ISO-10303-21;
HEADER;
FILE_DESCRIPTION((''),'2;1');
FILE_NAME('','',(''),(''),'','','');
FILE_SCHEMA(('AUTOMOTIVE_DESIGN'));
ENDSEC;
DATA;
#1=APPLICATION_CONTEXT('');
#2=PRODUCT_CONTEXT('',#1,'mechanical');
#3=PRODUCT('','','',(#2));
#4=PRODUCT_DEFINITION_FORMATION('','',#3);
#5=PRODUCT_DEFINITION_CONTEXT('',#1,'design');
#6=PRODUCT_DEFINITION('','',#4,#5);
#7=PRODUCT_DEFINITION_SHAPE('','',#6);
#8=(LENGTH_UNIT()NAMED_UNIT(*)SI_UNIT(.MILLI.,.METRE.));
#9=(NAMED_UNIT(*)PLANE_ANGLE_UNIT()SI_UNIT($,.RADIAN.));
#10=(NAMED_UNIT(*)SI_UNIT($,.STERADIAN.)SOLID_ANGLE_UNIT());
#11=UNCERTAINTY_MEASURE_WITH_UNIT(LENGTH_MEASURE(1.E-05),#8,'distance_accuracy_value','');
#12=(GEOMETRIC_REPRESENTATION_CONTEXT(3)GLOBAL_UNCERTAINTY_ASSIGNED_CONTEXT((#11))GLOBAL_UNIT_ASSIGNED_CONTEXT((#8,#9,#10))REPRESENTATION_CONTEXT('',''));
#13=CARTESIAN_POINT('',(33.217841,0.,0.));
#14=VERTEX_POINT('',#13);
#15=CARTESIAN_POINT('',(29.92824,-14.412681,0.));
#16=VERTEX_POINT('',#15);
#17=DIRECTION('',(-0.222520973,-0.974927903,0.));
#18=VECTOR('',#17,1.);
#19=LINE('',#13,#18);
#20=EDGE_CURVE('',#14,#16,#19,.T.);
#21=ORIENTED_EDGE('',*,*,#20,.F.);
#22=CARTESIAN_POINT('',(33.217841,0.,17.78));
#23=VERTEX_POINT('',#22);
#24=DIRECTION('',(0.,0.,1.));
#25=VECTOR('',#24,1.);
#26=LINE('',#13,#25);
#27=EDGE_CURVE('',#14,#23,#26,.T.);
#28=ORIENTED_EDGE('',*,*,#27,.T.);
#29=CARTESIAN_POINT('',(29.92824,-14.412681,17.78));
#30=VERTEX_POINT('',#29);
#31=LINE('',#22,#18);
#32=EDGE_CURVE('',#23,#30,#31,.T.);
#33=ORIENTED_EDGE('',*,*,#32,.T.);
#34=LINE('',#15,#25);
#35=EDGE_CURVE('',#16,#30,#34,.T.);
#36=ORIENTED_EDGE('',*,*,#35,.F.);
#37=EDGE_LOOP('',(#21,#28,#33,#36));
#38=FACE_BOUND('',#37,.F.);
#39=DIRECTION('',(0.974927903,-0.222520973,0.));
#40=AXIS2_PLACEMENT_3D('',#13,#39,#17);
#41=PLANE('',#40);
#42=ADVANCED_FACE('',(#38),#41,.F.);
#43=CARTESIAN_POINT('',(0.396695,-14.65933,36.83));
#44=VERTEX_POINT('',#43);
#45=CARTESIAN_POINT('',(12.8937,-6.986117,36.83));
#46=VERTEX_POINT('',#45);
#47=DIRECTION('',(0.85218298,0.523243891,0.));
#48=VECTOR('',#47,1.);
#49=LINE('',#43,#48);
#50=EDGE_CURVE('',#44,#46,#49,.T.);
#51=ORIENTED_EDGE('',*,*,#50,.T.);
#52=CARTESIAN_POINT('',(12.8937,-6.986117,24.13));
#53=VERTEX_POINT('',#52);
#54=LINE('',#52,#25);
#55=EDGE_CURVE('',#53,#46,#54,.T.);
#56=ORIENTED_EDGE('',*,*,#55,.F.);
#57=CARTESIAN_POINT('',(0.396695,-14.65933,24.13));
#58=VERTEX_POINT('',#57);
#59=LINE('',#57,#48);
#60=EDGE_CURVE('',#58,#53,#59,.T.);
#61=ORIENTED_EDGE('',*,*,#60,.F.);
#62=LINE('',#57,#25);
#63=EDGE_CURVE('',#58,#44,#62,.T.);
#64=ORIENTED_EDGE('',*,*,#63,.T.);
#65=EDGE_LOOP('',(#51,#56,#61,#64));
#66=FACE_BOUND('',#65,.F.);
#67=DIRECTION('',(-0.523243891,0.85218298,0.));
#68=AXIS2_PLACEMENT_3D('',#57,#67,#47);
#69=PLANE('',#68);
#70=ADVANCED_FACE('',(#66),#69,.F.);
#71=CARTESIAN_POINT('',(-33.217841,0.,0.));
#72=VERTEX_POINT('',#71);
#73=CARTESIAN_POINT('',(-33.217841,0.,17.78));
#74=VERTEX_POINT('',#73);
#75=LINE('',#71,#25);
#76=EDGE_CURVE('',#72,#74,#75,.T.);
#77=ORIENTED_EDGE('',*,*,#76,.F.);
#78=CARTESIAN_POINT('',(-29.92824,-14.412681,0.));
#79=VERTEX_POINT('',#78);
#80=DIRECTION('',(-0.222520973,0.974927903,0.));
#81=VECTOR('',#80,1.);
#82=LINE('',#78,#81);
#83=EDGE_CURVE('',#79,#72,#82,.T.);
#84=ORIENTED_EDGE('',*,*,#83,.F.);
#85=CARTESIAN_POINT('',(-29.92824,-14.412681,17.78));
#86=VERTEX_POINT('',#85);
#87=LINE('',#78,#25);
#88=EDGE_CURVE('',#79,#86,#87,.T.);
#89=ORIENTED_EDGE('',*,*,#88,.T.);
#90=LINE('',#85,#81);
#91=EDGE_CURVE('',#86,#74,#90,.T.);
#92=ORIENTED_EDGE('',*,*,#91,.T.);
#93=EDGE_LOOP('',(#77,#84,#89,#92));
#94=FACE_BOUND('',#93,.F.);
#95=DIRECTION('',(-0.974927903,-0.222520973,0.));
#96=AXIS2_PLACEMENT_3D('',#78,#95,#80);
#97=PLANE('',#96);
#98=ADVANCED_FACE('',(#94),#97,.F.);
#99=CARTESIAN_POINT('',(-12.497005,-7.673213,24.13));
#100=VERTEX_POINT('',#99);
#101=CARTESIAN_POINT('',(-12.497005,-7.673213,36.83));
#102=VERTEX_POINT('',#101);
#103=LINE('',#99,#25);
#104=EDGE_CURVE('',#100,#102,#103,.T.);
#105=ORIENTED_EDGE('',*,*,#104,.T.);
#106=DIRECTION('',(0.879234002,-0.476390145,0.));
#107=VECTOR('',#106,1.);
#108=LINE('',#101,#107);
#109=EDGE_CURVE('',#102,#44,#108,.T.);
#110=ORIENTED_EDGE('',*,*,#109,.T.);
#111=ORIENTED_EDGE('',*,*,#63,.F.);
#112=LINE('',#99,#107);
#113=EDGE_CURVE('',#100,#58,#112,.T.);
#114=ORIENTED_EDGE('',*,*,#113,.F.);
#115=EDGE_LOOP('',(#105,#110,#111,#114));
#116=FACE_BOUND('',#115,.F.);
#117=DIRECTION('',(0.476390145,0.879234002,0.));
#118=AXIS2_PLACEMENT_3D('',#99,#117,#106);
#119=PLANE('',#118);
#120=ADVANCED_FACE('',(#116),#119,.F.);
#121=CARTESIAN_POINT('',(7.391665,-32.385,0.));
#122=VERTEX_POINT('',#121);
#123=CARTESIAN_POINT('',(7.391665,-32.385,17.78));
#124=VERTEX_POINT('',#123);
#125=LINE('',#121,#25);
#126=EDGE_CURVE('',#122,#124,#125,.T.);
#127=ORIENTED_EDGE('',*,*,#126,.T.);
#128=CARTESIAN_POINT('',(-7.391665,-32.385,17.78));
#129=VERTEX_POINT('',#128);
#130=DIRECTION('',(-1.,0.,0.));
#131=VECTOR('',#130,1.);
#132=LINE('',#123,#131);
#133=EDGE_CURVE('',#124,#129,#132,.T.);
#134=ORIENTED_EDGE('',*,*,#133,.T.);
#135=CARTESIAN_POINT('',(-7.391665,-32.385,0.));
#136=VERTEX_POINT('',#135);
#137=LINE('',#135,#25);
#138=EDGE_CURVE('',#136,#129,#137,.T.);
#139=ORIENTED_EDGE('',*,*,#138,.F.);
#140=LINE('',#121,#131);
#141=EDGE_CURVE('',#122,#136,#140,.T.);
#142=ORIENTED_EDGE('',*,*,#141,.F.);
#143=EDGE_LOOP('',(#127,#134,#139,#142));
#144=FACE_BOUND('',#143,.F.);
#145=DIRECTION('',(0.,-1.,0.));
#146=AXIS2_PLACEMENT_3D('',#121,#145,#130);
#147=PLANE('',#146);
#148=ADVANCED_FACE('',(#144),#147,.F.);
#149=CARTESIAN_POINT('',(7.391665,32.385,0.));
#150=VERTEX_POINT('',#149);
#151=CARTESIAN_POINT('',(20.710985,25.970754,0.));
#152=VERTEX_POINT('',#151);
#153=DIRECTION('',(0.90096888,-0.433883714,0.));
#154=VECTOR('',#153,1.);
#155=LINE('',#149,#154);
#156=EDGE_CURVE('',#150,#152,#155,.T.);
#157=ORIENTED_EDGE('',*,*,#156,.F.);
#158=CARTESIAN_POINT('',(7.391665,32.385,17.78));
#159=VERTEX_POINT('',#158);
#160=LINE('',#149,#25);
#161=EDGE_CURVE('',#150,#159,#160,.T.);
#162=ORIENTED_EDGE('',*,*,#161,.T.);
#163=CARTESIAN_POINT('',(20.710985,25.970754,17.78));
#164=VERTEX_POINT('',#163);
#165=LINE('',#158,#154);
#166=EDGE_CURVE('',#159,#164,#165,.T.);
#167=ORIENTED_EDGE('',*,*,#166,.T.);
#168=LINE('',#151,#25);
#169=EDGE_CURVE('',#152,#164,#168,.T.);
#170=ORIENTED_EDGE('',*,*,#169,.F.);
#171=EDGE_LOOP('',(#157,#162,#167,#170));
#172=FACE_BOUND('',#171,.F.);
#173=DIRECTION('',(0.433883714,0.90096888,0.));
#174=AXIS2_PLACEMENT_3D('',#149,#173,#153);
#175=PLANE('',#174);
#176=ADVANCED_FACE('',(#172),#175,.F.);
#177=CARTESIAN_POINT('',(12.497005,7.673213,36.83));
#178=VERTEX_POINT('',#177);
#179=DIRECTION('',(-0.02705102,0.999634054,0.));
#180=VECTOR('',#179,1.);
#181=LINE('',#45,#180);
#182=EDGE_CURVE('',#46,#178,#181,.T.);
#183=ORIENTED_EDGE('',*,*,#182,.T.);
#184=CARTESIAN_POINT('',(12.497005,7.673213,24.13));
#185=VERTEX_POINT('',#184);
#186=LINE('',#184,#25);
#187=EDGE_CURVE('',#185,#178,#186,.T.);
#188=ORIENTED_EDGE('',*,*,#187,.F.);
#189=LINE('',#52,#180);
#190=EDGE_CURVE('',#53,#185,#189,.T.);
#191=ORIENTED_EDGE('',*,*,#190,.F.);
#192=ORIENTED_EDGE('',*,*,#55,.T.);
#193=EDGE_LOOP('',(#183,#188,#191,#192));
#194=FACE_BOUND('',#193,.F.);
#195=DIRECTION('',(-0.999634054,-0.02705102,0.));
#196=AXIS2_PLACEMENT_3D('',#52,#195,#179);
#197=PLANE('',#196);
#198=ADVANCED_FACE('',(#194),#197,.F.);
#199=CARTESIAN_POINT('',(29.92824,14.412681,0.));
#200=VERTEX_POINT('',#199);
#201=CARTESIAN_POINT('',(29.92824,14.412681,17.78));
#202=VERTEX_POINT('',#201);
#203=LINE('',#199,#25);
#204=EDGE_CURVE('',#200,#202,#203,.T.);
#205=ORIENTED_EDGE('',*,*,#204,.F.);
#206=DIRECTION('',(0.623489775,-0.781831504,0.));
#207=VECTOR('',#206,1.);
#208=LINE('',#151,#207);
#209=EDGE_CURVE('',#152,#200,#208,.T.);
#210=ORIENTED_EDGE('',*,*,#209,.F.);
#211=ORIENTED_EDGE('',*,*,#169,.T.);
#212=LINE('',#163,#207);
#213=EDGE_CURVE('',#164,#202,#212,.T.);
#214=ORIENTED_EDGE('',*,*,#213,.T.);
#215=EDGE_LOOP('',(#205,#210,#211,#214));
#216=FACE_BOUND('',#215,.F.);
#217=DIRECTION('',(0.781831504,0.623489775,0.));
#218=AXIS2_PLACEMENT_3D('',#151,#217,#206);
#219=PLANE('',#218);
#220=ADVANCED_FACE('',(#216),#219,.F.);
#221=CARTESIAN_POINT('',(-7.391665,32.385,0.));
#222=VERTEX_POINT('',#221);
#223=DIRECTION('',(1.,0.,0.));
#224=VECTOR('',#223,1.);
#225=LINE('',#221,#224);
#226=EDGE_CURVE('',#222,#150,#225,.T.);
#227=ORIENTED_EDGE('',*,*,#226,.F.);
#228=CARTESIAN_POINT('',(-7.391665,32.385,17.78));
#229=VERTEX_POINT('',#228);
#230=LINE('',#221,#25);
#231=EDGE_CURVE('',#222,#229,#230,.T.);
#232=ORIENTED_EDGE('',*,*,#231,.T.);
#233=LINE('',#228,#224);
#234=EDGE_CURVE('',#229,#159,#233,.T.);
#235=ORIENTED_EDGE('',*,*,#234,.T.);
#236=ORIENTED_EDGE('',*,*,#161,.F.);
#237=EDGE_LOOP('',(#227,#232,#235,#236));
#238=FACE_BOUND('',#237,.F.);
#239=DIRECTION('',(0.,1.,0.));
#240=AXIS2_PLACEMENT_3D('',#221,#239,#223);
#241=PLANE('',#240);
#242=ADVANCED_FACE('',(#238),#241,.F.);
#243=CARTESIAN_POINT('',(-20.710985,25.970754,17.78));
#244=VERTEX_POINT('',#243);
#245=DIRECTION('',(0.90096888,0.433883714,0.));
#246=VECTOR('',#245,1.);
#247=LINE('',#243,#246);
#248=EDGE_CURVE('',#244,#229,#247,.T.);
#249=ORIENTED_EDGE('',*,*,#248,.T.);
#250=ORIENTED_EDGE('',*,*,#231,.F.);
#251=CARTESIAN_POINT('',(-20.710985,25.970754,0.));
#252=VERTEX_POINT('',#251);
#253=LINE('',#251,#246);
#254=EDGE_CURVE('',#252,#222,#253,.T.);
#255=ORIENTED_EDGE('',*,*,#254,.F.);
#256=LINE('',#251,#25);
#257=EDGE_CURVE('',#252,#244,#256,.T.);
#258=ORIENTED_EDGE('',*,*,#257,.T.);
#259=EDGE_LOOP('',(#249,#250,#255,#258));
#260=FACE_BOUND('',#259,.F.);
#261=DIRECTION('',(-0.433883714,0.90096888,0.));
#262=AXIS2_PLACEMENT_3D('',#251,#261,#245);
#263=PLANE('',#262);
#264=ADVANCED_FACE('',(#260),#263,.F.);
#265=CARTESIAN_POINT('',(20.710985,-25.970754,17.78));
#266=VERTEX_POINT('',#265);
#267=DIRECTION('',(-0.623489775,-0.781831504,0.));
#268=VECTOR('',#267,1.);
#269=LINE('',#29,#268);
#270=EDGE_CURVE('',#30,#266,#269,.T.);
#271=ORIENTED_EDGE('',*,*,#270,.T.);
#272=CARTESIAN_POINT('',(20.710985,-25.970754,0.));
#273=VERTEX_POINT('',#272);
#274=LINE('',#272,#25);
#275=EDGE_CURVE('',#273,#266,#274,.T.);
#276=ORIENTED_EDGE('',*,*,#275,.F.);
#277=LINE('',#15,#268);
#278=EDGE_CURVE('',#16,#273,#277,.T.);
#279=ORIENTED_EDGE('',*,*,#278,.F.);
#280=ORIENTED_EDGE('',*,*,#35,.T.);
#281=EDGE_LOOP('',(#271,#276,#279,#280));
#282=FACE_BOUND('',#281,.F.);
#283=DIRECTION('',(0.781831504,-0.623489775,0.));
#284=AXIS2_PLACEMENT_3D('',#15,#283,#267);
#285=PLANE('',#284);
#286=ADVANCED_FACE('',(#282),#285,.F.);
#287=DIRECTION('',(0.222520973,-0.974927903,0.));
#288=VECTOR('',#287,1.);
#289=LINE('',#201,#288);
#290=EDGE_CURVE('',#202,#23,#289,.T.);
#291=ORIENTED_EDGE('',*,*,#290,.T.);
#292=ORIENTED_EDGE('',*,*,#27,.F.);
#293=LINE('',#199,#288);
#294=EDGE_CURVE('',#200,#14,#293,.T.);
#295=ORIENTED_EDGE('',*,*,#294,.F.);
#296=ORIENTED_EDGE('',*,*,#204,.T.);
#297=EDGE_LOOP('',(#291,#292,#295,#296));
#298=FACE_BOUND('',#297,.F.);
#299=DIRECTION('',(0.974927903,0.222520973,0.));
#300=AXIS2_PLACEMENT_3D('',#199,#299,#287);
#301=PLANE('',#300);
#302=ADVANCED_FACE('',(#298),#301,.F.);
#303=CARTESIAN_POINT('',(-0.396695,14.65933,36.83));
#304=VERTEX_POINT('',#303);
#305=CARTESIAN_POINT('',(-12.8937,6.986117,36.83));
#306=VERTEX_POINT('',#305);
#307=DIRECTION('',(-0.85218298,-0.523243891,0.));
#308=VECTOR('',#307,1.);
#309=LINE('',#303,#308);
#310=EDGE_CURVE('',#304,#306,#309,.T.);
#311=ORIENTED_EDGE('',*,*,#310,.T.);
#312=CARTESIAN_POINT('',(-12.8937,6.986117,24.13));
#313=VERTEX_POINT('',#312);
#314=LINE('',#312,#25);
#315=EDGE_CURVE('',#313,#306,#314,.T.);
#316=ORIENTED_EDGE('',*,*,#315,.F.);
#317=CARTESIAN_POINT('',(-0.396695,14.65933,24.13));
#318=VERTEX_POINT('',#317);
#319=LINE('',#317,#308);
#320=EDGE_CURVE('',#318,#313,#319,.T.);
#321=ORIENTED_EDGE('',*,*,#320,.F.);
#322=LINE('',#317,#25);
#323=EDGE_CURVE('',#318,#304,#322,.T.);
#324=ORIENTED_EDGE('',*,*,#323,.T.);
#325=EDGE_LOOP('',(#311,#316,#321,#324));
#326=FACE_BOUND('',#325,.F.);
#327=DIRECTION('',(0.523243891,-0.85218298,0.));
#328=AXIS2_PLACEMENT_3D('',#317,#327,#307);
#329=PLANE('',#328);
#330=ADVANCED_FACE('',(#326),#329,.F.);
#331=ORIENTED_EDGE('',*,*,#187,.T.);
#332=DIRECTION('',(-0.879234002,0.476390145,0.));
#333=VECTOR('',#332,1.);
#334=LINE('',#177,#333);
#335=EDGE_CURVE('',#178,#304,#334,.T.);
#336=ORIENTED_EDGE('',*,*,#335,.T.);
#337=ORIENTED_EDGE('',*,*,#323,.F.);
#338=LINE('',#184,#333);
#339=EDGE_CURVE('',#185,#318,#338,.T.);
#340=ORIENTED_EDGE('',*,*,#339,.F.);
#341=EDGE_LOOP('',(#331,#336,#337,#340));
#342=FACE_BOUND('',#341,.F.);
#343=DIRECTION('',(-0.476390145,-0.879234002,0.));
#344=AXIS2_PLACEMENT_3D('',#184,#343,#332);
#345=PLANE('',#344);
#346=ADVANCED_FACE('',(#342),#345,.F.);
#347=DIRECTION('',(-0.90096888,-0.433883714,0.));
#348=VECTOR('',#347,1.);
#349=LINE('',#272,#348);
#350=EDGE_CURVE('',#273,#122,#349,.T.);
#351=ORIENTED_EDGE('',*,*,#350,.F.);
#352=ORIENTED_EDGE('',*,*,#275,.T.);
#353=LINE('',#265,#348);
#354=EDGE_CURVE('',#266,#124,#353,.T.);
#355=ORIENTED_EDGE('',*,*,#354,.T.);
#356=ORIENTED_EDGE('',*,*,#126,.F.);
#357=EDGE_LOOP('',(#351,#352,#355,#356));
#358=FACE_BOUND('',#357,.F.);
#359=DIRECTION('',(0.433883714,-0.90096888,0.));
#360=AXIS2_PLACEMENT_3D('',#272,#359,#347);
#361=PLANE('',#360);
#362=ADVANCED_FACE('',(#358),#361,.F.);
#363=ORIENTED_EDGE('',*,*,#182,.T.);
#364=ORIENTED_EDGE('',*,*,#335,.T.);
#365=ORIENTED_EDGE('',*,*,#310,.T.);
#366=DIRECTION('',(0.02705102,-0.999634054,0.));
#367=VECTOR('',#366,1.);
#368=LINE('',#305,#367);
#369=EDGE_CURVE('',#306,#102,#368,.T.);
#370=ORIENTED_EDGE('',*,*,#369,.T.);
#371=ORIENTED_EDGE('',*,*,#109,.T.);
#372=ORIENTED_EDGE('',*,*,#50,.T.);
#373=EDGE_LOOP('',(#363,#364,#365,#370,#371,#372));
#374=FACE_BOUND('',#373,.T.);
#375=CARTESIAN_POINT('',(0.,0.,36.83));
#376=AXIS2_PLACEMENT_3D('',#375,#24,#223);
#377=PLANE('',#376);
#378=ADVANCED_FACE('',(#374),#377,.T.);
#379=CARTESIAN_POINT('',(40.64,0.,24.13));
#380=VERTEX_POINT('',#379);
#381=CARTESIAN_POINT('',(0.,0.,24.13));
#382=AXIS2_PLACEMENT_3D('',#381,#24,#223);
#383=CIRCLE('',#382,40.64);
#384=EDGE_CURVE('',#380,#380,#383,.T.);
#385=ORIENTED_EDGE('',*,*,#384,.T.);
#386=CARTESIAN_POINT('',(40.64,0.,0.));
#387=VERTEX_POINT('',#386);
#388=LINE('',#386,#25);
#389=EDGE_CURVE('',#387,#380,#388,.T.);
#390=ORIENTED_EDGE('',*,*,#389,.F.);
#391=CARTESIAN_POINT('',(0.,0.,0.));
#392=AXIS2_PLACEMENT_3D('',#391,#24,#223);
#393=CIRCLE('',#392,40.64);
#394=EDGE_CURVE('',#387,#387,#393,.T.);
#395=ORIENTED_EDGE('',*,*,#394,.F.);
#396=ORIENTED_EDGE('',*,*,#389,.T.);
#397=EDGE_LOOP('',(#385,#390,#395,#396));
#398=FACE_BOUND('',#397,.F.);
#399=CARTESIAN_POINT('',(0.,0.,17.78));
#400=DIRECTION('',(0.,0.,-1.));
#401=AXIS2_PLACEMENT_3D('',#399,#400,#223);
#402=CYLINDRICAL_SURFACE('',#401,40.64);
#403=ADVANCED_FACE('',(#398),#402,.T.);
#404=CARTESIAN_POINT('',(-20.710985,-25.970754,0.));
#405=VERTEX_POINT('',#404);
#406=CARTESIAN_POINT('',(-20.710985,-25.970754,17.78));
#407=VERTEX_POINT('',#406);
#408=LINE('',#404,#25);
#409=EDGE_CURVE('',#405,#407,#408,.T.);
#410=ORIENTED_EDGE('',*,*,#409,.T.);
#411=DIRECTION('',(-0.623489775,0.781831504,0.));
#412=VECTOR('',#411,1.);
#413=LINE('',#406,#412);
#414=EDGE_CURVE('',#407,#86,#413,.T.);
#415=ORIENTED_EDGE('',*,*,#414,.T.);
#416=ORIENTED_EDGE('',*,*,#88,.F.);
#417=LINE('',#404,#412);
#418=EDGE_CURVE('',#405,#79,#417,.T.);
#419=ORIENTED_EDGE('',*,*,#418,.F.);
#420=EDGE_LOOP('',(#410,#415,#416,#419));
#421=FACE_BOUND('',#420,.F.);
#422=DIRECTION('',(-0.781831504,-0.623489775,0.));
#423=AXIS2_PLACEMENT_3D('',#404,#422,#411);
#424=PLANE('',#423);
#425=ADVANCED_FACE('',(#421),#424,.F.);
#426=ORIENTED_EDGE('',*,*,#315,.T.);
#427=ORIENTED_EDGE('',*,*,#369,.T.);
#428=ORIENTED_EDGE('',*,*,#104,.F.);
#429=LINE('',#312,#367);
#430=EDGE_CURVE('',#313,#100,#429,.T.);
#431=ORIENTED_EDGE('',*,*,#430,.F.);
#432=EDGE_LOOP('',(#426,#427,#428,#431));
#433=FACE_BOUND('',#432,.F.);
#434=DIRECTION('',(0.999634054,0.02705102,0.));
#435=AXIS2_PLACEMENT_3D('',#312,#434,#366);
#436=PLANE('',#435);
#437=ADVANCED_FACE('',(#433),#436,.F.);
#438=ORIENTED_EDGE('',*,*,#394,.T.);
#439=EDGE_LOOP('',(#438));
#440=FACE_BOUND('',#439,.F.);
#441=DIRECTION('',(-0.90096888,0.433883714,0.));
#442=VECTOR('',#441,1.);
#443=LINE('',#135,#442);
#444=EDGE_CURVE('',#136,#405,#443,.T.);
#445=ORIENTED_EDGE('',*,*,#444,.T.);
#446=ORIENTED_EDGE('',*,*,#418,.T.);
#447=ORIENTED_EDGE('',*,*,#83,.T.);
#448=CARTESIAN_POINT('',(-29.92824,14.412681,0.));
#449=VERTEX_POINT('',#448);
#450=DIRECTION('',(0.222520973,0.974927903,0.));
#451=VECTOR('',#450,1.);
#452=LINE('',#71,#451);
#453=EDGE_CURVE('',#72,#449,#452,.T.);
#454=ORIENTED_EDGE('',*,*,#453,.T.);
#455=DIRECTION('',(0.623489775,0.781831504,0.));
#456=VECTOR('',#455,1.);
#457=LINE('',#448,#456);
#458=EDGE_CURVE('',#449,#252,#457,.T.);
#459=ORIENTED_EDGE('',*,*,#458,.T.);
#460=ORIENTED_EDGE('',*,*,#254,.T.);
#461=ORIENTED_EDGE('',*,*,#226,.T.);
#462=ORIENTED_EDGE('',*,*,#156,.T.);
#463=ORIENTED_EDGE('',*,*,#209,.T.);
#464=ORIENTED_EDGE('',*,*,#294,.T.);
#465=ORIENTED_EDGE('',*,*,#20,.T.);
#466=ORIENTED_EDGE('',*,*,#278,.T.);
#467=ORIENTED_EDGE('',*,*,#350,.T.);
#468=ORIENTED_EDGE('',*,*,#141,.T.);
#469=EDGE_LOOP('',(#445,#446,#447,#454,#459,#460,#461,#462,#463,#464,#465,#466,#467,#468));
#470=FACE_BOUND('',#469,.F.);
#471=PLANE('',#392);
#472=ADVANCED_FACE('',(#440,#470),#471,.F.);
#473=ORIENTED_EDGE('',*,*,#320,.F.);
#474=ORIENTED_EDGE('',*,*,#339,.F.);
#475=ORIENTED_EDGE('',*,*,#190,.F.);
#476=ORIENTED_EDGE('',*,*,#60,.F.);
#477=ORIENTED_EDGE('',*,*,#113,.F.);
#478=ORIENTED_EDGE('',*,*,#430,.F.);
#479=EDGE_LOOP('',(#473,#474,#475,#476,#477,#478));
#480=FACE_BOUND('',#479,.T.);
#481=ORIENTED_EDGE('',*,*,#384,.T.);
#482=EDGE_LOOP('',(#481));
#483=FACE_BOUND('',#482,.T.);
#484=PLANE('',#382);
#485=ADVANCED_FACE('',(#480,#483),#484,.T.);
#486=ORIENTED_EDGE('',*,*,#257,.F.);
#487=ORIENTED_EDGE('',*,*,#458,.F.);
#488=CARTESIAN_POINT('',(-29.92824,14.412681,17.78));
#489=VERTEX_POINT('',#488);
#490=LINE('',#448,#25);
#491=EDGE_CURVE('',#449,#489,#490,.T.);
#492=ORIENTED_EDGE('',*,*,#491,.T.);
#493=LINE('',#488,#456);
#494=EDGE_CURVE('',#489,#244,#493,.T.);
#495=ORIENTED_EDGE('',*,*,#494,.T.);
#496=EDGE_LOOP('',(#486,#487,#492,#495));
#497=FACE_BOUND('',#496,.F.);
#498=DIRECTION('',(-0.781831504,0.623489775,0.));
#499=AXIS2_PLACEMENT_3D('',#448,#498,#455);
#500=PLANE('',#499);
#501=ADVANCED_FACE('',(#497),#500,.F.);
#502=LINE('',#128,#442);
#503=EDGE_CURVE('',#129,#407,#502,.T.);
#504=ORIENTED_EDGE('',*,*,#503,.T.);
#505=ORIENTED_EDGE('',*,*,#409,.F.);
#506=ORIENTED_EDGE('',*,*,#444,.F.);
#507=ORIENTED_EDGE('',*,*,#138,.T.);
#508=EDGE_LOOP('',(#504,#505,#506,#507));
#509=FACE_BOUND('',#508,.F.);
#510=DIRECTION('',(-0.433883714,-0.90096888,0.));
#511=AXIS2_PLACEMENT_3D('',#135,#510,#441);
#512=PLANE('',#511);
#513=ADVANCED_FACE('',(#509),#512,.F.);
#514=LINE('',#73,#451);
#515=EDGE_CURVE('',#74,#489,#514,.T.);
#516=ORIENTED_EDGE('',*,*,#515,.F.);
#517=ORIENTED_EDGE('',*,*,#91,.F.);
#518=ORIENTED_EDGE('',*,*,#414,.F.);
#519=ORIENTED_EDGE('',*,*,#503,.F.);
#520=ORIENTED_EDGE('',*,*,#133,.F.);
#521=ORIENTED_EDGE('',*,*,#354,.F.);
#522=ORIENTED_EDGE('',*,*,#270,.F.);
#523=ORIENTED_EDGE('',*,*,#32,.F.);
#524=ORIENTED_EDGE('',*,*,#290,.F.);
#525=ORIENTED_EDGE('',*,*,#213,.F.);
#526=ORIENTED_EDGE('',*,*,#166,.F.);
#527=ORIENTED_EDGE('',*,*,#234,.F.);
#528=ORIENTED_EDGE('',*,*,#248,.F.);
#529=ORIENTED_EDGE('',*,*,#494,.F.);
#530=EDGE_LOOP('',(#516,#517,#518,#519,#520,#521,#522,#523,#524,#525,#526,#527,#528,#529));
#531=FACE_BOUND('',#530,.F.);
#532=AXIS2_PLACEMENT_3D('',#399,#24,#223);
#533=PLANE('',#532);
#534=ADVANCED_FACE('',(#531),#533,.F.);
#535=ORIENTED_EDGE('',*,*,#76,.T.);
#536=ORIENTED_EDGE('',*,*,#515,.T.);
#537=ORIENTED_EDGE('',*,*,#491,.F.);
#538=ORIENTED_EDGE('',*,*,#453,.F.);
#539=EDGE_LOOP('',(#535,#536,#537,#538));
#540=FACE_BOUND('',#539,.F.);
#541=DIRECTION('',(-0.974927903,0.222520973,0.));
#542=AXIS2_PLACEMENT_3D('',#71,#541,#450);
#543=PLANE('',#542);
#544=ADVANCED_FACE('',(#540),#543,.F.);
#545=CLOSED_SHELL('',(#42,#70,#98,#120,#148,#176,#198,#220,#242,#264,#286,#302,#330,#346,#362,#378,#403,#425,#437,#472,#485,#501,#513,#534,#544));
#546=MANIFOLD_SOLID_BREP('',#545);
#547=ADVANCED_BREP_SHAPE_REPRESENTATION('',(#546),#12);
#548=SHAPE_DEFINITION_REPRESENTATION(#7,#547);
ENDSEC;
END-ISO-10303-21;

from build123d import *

# Parameters (mm, degrees)
F0_R     = 40.64
F1_DEPTH = 17.78
F2_R     = 40.64
F3_DEPTH = 6.35
F5_DEPTH = 12.7


with BuildPart() as f1:
    # F0 (on Top) → F1 (new body)
    with BuildSketch(Plane.XY):
        Circle(F0_R)
        Polygon((7.391665, -32.385), (-7.391665, -32.385), (-20.710985, -25.970754), (-29.92824, -14.412681), (-33.217841, 0), (-29.92824, 14.412681), (-20.710985, 25.970754), (-7.391665, 32.385), (7.391665, 32.385), (20.710985, 25.970754), (29.92824, 14.412681), (33.217841, 0), (29.92824, -14.412681), (20.710985, -25.970754), align=None, mode=Mode.SUBTRACT)
    extrude(amount=F1_DEPTH)

    # F2 (on face) → F3 (join)
    with BuildSketch(Plane.XY.offset(17.78)):
        Circle(F2_R)
    extrude(amount=F3_DEPTH)

    # F4 (on face) → F5 (join)
    with BuildSketch(Plane.XY.offset(24.13)):
        Polygon((12.497005, 7.673213), (-0.396695, 14.65933), (-12.8937, 6.986117), (-12.497005, -7.673213), (0.396695, -14.65933), (12.8937, -6.986117), align=None)
    extrude(amount=F5_DEPTH)


solid = f1.part
